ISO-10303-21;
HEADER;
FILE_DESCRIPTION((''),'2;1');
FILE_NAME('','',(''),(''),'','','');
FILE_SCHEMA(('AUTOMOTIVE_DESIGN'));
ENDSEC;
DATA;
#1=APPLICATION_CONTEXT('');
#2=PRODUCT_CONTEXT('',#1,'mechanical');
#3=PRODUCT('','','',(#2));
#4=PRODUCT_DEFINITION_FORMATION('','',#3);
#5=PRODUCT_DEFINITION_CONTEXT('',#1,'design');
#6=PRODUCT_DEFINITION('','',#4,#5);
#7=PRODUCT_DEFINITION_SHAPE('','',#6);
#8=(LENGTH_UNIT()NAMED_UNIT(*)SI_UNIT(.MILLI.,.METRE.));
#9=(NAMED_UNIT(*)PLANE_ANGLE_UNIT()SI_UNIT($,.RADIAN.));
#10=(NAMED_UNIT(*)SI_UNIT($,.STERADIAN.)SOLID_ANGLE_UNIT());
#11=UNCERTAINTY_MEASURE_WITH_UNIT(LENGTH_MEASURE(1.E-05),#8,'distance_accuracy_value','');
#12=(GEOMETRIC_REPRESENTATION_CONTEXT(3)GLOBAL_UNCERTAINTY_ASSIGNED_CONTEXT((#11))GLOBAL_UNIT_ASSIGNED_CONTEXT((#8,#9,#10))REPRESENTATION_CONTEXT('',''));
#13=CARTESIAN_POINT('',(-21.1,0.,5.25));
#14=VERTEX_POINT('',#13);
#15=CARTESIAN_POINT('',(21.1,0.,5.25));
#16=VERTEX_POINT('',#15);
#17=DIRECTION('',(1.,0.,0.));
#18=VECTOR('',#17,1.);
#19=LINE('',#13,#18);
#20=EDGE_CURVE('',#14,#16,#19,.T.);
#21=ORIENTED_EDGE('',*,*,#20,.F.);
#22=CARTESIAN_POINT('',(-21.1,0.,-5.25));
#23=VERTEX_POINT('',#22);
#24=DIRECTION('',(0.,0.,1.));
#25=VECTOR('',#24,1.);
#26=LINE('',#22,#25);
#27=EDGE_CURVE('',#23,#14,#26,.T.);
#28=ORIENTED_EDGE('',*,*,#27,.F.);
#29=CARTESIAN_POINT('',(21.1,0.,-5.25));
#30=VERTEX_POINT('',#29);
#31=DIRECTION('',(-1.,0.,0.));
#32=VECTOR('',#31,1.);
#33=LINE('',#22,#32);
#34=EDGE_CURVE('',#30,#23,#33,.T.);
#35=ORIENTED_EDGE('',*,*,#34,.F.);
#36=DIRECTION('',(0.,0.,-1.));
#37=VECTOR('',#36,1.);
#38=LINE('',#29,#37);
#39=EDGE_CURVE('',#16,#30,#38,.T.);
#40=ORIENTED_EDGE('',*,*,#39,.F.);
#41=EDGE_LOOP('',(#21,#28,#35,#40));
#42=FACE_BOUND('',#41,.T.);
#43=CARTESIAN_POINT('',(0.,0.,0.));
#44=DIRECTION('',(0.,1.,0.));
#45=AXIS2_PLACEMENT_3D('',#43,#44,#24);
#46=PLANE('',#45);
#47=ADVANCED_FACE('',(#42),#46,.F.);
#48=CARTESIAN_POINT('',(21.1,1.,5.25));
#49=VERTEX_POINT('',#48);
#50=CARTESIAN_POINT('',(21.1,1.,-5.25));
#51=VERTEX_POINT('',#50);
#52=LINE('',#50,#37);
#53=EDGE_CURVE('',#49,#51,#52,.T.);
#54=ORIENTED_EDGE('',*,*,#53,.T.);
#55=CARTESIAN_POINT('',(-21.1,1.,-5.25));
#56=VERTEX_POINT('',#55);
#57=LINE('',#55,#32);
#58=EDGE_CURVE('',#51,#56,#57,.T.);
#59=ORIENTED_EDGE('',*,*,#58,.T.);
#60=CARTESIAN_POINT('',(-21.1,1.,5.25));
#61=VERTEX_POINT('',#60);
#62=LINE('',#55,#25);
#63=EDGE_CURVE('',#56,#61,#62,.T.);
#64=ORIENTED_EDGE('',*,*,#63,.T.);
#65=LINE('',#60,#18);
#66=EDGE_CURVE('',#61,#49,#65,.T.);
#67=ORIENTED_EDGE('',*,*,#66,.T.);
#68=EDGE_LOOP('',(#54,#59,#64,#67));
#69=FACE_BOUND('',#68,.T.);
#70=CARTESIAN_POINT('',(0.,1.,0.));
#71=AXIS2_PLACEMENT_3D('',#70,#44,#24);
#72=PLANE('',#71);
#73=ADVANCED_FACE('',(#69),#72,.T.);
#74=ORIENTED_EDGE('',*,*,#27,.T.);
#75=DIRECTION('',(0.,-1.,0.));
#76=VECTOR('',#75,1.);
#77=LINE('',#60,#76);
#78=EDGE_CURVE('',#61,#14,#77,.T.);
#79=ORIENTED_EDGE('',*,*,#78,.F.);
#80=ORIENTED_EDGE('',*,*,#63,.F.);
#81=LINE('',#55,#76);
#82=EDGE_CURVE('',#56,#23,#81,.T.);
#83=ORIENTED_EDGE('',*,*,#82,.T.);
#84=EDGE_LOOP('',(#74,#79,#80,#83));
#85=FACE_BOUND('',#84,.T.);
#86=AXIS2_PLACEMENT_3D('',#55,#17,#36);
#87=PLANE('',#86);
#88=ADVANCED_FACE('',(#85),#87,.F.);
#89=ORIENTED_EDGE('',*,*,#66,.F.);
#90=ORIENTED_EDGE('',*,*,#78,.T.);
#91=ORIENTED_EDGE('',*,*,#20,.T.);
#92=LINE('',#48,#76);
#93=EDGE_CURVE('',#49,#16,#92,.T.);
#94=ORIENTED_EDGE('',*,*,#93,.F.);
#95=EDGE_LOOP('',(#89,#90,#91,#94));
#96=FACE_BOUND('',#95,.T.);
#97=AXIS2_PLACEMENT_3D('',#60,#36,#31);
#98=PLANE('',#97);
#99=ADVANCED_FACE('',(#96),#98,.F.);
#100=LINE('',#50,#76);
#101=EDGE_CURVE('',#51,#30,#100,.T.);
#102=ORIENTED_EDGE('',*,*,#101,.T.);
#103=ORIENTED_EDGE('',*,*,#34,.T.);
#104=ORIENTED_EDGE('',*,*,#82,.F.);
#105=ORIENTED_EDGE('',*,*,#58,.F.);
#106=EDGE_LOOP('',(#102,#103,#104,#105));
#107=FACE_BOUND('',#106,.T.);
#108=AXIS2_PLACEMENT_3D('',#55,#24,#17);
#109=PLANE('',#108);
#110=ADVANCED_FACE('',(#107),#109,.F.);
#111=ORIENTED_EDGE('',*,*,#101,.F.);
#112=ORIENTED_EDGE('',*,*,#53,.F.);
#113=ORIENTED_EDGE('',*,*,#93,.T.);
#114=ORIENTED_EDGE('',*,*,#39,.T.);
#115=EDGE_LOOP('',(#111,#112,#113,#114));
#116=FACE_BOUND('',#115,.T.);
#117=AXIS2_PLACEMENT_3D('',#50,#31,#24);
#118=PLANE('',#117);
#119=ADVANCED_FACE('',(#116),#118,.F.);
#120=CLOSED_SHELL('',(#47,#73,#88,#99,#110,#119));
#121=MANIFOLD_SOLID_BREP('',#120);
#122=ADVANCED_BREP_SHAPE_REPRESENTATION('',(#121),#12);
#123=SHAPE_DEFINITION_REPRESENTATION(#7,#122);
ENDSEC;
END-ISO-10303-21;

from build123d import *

# Parameters (mm, degrees)
SKETCH_1_W      = 42.2
SKETCH_1_H      = 10.5
EXTRUDE_1_DEPTH = 1


with BuildPart() as part:
    # 草图1 → 凸台-拉伸1 (new body)
    with BuildSketch(Plane(origin=(0, 0, 0), x_dir=(1, 0, 0), z_dir=(0, 1, 0))):
        Rectangle(SKETCH_1_W, SKETCH_1_H)
    extrude(amount=EXTRUDE_1_DEPTH)


solid = part.part
